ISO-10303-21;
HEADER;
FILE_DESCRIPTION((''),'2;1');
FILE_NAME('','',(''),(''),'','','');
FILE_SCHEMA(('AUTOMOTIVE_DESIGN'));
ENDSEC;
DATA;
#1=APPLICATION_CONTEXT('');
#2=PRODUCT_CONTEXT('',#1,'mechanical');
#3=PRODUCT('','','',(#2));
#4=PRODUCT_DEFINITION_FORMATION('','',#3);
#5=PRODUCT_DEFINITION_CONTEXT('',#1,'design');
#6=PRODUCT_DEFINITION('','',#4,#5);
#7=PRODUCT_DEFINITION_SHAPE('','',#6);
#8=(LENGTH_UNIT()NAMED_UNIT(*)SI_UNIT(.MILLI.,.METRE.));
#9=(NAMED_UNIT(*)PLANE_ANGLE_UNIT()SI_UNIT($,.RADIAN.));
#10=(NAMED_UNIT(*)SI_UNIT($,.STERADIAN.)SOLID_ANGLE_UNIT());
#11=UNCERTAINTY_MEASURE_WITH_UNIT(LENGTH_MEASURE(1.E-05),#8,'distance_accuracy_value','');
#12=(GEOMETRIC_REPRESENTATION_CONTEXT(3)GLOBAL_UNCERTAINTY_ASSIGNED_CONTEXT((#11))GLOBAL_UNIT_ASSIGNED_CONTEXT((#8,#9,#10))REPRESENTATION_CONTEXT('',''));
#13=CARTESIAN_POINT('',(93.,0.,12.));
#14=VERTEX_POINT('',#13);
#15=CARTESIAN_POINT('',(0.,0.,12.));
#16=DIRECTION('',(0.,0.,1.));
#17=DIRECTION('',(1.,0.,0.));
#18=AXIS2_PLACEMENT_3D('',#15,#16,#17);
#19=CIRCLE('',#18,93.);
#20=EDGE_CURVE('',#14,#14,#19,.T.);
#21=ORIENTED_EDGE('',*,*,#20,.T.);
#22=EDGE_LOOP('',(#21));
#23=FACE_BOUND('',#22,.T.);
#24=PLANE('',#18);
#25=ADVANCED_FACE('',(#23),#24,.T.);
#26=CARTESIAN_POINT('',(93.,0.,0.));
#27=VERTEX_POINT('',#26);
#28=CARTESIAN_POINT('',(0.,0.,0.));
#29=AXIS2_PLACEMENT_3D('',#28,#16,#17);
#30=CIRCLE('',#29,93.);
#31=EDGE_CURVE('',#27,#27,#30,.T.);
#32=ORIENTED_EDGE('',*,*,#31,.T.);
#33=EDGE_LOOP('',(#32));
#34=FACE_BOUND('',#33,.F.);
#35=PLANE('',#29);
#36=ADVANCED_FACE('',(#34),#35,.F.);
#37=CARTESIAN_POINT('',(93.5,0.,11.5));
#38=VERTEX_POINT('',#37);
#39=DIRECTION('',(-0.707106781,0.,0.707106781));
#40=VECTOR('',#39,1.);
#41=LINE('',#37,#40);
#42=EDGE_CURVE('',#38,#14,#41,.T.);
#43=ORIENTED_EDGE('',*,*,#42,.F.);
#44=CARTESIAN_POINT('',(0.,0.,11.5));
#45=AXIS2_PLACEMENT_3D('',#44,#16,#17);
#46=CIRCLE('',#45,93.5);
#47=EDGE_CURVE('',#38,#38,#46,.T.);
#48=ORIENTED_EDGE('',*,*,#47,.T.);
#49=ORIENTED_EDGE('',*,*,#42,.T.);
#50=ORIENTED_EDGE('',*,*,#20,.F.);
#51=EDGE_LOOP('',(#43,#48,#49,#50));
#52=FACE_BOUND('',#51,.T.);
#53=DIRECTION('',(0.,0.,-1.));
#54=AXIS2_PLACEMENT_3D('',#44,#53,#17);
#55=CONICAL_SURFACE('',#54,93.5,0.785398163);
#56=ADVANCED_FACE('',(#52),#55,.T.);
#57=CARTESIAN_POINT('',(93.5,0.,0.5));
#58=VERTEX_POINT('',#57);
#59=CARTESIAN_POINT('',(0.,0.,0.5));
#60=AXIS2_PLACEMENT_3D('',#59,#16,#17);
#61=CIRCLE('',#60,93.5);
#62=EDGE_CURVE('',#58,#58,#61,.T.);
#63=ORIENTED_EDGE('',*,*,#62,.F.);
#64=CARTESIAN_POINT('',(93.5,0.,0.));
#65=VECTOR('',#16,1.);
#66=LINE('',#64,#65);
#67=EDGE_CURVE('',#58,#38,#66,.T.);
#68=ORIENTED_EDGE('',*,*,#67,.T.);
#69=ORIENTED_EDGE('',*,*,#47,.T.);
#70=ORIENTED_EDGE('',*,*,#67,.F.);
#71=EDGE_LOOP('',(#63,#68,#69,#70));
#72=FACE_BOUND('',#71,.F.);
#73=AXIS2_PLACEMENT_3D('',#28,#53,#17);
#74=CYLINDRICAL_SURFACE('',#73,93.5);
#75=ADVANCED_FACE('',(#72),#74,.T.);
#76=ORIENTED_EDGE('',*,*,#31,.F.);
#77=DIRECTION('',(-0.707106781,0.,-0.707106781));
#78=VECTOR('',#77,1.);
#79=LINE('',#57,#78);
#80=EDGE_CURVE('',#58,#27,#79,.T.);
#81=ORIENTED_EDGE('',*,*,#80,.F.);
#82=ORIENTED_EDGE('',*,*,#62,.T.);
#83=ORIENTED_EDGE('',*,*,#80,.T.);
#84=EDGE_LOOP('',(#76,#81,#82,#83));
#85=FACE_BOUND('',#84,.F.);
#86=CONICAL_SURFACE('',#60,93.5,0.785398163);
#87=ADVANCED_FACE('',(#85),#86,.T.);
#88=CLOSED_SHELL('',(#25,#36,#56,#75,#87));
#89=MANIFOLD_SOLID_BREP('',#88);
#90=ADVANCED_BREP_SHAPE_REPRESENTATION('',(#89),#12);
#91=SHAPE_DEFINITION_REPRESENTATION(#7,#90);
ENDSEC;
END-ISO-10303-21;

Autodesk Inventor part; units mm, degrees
ref_plane "YZ Plane" through (0, 0, 0) normal (1, 0, 0) x (0, 1, 0)
ref_plane "XZ Plane" through (0, 0, 0) normal (0, 1, 0) x (-1, 0, 0)
ref_plane "XY Plane" through (0, 0, 0) normal (0, 0, 1) x (1, 0, 0)
sketch "草图1" plane through (0, 0, 0) normal (0, 0, 1) x (1, 0, 0)
  circle A0 centre (0, 0) radius 93.5
extrude "拉伸1" add sketch "草图1" along normal blind 12
chamfer "倒角1" distance 0.5 angle 45 2 edges at (-93.5, 0, 12) (-93.5, 0, 0)
properties part number "my_attempt_v2"
